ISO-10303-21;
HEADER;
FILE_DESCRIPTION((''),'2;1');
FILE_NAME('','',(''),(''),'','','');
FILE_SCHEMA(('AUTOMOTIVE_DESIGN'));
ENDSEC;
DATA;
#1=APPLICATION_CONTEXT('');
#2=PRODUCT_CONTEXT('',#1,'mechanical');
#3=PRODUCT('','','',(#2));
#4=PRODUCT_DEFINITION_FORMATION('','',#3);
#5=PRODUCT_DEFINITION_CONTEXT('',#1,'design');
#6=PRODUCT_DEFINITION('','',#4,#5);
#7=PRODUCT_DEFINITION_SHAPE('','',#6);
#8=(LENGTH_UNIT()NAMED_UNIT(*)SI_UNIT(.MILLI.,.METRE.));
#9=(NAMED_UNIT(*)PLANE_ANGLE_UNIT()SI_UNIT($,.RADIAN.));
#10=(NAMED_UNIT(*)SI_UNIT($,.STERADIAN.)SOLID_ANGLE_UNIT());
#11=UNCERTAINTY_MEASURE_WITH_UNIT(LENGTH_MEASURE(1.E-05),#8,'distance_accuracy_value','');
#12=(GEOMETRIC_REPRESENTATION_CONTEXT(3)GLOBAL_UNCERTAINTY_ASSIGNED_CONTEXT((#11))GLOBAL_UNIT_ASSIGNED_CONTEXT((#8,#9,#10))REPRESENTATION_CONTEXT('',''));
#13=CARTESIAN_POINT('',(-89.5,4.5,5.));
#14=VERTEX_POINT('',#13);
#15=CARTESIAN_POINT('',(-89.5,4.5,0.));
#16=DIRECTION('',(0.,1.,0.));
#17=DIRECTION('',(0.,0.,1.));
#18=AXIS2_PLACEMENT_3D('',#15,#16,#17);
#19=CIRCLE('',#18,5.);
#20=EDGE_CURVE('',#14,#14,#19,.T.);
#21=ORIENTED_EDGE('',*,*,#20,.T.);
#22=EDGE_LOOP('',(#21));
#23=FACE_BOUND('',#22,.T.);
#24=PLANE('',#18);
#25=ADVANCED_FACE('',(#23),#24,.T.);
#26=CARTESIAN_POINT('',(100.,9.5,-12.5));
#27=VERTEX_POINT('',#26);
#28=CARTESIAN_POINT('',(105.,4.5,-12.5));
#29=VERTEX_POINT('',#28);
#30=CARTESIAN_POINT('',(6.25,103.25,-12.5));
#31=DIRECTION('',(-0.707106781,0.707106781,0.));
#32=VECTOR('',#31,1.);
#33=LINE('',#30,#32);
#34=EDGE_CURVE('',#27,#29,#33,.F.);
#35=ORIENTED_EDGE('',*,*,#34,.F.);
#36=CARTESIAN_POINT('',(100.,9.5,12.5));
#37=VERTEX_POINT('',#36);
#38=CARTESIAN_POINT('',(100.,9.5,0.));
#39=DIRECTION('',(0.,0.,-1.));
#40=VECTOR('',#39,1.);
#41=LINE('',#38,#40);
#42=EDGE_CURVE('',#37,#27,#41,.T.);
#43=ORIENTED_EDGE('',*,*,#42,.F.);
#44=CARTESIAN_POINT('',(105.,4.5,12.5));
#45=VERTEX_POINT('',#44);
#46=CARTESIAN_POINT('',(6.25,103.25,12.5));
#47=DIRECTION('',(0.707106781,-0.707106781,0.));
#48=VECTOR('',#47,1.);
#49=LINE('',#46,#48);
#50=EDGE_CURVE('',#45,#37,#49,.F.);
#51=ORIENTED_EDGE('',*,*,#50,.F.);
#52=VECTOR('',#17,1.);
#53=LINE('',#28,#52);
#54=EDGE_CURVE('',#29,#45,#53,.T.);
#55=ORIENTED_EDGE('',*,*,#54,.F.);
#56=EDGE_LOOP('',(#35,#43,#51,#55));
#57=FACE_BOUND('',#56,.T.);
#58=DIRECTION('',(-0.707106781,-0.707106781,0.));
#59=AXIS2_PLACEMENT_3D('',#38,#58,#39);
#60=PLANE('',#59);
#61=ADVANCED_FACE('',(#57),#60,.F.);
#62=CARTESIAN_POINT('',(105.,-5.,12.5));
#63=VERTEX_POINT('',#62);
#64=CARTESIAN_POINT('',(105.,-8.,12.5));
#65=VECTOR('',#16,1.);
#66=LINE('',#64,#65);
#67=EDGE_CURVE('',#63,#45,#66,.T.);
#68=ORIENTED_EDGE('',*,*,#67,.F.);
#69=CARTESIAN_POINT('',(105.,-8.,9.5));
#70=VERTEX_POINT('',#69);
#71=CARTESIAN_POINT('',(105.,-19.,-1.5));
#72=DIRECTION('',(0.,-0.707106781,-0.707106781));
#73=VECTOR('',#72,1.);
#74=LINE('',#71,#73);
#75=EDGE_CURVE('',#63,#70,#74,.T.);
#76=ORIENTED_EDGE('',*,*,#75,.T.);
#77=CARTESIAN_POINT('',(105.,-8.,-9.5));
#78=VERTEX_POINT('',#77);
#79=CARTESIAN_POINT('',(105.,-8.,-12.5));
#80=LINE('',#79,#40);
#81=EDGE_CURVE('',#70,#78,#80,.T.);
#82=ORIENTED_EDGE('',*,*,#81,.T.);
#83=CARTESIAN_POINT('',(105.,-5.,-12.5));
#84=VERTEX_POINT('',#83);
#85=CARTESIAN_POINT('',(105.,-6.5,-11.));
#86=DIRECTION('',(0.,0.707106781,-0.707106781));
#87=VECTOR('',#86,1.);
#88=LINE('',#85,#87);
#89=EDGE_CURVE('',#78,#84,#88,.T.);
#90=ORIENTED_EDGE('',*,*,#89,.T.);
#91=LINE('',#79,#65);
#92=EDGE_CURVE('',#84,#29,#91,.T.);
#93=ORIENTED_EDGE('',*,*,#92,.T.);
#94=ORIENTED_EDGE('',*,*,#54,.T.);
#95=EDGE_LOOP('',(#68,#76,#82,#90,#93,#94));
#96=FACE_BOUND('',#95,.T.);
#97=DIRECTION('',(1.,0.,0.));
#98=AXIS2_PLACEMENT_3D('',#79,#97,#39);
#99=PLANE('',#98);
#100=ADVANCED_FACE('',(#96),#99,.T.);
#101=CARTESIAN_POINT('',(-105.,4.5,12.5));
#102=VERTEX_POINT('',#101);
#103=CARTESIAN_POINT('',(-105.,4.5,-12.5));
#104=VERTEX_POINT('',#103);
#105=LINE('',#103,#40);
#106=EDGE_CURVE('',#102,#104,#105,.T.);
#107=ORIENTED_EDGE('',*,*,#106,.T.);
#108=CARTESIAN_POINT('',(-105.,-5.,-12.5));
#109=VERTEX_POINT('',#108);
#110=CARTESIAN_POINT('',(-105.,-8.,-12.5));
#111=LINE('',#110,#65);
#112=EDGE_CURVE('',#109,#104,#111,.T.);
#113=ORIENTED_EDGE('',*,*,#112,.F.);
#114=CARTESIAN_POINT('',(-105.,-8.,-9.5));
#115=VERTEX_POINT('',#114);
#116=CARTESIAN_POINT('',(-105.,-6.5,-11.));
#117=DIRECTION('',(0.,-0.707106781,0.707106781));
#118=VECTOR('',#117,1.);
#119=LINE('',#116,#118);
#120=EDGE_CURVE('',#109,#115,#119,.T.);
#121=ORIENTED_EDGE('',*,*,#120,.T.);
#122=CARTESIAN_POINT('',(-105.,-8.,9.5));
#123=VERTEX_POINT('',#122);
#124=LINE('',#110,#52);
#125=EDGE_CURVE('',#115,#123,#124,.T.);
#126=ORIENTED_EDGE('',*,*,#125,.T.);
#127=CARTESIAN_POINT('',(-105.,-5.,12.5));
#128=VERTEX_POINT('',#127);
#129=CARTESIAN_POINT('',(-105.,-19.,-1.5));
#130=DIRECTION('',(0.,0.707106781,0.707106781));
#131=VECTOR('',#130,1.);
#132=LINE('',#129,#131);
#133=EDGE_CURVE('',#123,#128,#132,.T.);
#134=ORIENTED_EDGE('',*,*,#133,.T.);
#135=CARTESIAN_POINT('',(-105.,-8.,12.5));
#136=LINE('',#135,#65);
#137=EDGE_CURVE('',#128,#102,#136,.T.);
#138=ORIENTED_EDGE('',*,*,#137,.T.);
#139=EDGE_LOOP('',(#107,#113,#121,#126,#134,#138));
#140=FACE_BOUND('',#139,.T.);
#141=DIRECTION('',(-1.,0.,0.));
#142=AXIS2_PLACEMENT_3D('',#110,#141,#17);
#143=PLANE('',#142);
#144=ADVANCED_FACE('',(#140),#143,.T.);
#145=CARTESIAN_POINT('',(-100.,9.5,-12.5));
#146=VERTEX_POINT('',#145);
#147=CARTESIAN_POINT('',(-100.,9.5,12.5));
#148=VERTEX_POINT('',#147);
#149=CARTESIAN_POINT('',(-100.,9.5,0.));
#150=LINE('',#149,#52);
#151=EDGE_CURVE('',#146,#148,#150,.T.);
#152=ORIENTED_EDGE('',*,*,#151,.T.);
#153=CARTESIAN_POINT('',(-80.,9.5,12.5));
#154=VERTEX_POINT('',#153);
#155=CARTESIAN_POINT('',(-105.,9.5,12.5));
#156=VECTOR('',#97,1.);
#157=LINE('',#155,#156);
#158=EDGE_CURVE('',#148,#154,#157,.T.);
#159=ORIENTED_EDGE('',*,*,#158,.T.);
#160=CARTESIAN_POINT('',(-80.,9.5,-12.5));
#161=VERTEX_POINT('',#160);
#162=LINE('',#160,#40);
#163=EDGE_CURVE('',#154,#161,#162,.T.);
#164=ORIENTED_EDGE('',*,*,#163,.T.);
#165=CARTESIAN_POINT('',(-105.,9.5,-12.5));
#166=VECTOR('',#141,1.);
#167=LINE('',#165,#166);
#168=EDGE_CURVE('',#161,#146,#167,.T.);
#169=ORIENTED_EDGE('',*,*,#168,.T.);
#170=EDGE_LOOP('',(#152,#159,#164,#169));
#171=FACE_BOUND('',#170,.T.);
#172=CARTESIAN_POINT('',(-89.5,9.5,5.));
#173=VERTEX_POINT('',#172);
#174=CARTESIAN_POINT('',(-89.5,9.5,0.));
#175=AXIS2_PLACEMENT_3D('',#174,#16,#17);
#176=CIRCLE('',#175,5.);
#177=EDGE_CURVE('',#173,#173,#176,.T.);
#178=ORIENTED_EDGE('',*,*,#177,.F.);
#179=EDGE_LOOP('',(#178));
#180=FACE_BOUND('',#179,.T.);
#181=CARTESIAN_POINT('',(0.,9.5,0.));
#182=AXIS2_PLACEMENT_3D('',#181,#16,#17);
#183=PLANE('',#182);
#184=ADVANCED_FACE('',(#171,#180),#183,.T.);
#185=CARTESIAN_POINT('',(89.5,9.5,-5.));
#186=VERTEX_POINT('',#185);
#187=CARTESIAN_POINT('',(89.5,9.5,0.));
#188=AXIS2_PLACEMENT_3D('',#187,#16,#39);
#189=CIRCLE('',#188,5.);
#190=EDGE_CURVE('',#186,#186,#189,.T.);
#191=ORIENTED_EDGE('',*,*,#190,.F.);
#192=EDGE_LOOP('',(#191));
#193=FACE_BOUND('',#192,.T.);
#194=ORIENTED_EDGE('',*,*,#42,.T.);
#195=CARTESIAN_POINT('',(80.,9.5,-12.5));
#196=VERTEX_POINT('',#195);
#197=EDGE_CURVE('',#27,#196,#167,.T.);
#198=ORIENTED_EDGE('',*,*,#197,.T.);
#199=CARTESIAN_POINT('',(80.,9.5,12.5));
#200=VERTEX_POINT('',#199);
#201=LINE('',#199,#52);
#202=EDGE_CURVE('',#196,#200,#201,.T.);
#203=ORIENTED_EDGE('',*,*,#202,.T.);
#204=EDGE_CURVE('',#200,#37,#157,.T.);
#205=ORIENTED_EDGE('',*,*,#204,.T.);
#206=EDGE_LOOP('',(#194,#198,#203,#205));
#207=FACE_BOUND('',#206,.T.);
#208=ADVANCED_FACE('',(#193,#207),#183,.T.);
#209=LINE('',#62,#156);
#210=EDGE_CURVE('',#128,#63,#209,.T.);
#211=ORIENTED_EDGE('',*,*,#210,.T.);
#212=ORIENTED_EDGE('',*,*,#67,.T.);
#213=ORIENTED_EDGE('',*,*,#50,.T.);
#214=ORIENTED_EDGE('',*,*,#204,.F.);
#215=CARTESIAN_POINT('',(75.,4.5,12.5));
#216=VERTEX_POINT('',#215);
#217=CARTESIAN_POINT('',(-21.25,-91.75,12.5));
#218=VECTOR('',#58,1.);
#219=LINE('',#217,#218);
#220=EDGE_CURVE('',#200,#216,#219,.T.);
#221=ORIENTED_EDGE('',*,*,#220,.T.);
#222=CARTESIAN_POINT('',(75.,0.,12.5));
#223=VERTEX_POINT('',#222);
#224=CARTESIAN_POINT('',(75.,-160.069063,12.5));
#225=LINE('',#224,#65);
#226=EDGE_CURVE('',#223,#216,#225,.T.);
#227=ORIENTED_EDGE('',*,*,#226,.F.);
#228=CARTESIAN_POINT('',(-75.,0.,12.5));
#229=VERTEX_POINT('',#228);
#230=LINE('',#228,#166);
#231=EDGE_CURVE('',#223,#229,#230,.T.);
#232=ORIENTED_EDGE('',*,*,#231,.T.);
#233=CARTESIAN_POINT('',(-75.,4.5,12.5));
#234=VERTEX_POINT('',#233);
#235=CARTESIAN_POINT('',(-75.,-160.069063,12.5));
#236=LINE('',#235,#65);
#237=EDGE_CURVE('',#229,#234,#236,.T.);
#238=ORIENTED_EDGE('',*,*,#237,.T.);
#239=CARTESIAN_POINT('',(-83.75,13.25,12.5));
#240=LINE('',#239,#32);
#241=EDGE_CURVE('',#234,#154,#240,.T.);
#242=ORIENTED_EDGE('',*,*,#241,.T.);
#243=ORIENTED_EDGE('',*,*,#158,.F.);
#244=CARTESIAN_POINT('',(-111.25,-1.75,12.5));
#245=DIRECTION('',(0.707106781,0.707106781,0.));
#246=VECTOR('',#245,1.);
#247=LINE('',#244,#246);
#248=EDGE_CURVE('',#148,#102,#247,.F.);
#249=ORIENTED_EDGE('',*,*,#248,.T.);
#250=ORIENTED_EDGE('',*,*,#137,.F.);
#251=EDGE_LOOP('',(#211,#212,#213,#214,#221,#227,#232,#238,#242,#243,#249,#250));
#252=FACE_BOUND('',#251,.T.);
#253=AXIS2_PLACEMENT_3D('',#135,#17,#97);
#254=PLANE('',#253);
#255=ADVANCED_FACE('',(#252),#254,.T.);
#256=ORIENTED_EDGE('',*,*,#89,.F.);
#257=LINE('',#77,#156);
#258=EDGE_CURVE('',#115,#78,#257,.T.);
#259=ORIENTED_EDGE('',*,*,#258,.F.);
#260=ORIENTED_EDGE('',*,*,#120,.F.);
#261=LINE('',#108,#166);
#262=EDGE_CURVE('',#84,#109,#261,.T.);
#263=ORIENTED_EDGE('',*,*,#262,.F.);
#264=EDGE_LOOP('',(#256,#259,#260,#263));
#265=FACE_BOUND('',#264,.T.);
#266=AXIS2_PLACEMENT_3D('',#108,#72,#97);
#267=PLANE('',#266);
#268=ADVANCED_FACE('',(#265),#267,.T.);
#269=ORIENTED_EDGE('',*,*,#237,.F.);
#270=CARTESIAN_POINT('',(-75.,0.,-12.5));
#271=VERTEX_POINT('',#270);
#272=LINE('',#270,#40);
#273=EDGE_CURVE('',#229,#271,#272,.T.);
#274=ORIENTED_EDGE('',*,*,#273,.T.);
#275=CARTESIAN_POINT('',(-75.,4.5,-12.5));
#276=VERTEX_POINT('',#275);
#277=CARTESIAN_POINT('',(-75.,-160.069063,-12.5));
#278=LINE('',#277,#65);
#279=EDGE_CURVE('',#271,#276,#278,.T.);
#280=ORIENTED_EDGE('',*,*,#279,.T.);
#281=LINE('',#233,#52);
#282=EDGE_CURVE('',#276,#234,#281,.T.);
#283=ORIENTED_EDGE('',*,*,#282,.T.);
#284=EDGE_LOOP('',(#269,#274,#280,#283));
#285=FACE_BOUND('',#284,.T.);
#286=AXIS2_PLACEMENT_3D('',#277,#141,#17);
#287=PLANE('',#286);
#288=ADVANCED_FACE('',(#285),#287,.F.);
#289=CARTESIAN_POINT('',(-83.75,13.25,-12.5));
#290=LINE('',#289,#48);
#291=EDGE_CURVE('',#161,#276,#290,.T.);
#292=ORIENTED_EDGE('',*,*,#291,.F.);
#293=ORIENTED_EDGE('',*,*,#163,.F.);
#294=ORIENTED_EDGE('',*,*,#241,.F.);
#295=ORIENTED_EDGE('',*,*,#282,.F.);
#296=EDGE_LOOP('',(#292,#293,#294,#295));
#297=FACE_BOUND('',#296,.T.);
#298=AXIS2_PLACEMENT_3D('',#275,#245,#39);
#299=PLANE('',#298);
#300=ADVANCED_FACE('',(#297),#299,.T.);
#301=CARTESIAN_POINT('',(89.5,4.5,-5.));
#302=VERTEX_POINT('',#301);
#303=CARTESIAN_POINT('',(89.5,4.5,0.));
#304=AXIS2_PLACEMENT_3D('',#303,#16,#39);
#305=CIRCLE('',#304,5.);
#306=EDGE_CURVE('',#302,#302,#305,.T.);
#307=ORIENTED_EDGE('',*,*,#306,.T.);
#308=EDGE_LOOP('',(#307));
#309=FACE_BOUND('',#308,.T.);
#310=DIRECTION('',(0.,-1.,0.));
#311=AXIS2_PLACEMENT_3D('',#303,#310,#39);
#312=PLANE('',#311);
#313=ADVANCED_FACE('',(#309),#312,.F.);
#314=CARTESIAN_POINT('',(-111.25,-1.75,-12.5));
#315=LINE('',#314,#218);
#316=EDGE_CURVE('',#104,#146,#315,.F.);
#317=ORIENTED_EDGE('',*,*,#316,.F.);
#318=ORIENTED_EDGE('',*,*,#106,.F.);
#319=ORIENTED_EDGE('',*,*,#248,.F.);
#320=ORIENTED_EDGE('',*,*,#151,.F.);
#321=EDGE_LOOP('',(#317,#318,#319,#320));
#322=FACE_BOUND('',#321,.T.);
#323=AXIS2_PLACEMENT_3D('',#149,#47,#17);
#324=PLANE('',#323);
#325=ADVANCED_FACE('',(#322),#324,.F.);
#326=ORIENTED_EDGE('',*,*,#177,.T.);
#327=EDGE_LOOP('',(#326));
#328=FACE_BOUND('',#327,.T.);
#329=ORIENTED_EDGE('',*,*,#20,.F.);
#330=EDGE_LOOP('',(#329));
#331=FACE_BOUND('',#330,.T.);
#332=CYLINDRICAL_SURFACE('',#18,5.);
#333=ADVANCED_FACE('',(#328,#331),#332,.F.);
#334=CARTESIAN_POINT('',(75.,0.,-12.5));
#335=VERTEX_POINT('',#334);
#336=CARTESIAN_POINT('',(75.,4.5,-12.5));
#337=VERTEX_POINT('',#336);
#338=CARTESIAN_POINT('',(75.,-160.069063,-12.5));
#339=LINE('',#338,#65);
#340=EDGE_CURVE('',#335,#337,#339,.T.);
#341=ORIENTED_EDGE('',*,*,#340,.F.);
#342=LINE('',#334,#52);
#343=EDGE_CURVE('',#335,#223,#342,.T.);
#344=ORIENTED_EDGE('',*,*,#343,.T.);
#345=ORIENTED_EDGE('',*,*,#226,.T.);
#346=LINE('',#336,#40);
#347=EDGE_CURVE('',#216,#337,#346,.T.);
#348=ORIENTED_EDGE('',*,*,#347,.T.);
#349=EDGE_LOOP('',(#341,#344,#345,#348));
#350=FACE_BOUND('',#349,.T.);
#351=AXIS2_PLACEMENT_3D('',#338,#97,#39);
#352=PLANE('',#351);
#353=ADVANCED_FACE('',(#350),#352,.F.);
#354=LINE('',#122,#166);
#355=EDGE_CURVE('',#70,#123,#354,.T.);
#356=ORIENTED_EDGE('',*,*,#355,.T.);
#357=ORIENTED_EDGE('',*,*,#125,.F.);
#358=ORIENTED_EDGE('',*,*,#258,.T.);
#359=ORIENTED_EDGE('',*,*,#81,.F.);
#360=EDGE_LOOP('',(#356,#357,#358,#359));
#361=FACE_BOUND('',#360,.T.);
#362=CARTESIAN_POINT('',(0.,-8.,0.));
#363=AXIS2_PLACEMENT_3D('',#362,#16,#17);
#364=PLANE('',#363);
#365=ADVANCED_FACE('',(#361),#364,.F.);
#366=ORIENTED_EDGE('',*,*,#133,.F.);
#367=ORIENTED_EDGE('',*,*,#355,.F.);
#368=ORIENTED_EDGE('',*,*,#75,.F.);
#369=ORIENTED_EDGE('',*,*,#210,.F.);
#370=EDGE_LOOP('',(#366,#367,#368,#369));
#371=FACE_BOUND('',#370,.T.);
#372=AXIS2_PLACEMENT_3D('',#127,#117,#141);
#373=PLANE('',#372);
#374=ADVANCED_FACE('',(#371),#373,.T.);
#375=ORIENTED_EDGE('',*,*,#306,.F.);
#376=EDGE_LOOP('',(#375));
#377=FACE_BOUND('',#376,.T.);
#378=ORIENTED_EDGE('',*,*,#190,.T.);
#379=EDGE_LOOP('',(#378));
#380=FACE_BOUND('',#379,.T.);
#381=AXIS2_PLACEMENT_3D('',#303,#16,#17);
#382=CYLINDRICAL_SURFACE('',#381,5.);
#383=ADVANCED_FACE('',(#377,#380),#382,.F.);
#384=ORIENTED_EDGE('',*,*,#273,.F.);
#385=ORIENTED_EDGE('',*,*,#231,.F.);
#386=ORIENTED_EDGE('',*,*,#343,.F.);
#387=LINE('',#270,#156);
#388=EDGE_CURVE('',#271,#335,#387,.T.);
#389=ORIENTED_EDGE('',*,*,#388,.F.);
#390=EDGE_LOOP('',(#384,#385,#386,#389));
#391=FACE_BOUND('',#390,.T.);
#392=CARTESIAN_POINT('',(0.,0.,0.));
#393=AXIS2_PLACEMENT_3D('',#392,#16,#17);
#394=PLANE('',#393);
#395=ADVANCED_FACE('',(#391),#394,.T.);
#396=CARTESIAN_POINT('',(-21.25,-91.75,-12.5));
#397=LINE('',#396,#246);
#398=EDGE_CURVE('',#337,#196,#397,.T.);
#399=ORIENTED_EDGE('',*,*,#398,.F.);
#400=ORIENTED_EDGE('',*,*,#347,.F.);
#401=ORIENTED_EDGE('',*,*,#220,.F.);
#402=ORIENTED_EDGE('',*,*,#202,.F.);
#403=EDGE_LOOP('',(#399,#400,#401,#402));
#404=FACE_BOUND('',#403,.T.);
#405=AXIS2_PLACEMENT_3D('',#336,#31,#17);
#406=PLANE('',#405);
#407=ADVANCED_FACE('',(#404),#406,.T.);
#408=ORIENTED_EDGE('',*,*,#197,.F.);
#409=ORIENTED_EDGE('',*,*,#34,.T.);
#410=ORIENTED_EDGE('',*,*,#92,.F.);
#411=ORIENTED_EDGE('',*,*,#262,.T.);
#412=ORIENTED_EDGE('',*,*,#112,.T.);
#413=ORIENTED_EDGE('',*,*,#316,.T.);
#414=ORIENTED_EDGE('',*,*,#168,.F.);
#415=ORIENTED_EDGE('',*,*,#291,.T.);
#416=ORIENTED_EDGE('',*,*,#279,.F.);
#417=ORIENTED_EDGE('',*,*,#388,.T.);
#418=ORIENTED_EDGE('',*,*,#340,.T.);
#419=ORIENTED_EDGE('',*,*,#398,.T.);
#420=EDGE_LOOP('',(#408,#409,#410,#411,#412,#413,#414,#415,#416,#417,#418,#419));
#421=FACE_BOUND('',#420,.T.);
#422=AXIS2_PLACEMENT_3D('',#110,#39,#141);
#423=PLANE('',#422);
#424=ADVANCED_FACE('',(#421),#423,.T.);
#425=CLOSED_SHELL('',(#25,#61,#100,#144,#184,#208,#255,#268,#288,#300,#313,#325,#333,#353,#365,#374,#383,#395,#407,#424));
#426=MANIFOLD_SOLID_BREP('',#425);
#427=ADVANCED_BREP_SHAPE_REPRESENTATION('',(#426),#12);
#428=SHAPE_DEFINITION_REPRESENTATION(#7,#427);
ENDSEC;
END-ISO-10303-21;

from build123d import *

# Parameters (mm, degrees)
EXTRUDE_1_DEPTH      = 9.5
EXTRUDE_1_DEPTH_BACK = 8
SKETCH_1_W           = 210
SKETCH_1_H           = 25
SKETCH_2_W           = 150
SKETCH_2_H           = 25
CUT_EXTRUDE_1_DEPTH  = 9.5
SKETCH_3_R           = 5
CUT_EXTRUDE_2_DEPTH  = 5
CHAMFER_1_SIZE       = 5
CHAMFER_2_SIZE       = 3


with BuildPart() as part:
    # 草图1 → 凸台-拉伸1 (new, two sides: drawn at the far end of the back side and taken through both)
    with BuildSketch(Plane(origin=(0, 0, 0), x_dir=(1, 0, 0), z_dir=(0, 1, 0)).offset(-EXTRUDE_1_DEPTH_BACK)):
        Rectangle(SKETCH_1_W, SKETCH_1_H)
    extrude(amount=EXTRUDE_1_DEPTH + EXTRUDE_1_DEPTH_BACK)

    # 草图2 → 切除-拉伸1 (cut)
    with BuildSketch(Plane(origin=(0, 9.5, 0), x_dir=(1, 0, 0), z_dir=(0, 1, 0))):
        Rectangle(SKETCH_2_W, SKETCH_2_H)
    extrude(amount=-CUT_EXTRUDE_1_DEPTH, mode=Mode.SUBTRACT)

    # 草图3 → 切除-拉伸2 (cut)
    with BuildSketch(Plane(origin=(0, 9.5, 0), x_dir=(1, 0, 0), z_dir=(0, 1, 0))):
        with Locations(Location((-89.5, 0, 0), (0, 0, 270))):
            Circle(SKETCH_3_R)
        with Locations(Location((89.5, 0, 0), (0, 0, 90))):
            Circle(SKETCH_3_R)
    extrude(amount=-CUT_EXTRUDE_2_DEPTH, mode=Mode.SUBTRACT)

    # 倒角1
    chamfer_1_edges = [part.edges().sort_by_distance(p)[0] for p in [
        (-105, 9.5, 0),
        (105, 9.5, 0),
        (-75, 9.5, 0),
        (75, 9.5, 0),
    ]]
    chamfer(chamfer_1_edges, length=CHAMFER_1_SIZE)

    # 倒角2
    chamfer_2_edges = [part.edges().sort_by_distance(p)[0] for p in [
        (0, -8, -12.5),
        (0, -8, 12.5),
    ]]
    chamfer(chamfer_2_edges, length=CHAMFER_2_SIZE)


solid = part.part
